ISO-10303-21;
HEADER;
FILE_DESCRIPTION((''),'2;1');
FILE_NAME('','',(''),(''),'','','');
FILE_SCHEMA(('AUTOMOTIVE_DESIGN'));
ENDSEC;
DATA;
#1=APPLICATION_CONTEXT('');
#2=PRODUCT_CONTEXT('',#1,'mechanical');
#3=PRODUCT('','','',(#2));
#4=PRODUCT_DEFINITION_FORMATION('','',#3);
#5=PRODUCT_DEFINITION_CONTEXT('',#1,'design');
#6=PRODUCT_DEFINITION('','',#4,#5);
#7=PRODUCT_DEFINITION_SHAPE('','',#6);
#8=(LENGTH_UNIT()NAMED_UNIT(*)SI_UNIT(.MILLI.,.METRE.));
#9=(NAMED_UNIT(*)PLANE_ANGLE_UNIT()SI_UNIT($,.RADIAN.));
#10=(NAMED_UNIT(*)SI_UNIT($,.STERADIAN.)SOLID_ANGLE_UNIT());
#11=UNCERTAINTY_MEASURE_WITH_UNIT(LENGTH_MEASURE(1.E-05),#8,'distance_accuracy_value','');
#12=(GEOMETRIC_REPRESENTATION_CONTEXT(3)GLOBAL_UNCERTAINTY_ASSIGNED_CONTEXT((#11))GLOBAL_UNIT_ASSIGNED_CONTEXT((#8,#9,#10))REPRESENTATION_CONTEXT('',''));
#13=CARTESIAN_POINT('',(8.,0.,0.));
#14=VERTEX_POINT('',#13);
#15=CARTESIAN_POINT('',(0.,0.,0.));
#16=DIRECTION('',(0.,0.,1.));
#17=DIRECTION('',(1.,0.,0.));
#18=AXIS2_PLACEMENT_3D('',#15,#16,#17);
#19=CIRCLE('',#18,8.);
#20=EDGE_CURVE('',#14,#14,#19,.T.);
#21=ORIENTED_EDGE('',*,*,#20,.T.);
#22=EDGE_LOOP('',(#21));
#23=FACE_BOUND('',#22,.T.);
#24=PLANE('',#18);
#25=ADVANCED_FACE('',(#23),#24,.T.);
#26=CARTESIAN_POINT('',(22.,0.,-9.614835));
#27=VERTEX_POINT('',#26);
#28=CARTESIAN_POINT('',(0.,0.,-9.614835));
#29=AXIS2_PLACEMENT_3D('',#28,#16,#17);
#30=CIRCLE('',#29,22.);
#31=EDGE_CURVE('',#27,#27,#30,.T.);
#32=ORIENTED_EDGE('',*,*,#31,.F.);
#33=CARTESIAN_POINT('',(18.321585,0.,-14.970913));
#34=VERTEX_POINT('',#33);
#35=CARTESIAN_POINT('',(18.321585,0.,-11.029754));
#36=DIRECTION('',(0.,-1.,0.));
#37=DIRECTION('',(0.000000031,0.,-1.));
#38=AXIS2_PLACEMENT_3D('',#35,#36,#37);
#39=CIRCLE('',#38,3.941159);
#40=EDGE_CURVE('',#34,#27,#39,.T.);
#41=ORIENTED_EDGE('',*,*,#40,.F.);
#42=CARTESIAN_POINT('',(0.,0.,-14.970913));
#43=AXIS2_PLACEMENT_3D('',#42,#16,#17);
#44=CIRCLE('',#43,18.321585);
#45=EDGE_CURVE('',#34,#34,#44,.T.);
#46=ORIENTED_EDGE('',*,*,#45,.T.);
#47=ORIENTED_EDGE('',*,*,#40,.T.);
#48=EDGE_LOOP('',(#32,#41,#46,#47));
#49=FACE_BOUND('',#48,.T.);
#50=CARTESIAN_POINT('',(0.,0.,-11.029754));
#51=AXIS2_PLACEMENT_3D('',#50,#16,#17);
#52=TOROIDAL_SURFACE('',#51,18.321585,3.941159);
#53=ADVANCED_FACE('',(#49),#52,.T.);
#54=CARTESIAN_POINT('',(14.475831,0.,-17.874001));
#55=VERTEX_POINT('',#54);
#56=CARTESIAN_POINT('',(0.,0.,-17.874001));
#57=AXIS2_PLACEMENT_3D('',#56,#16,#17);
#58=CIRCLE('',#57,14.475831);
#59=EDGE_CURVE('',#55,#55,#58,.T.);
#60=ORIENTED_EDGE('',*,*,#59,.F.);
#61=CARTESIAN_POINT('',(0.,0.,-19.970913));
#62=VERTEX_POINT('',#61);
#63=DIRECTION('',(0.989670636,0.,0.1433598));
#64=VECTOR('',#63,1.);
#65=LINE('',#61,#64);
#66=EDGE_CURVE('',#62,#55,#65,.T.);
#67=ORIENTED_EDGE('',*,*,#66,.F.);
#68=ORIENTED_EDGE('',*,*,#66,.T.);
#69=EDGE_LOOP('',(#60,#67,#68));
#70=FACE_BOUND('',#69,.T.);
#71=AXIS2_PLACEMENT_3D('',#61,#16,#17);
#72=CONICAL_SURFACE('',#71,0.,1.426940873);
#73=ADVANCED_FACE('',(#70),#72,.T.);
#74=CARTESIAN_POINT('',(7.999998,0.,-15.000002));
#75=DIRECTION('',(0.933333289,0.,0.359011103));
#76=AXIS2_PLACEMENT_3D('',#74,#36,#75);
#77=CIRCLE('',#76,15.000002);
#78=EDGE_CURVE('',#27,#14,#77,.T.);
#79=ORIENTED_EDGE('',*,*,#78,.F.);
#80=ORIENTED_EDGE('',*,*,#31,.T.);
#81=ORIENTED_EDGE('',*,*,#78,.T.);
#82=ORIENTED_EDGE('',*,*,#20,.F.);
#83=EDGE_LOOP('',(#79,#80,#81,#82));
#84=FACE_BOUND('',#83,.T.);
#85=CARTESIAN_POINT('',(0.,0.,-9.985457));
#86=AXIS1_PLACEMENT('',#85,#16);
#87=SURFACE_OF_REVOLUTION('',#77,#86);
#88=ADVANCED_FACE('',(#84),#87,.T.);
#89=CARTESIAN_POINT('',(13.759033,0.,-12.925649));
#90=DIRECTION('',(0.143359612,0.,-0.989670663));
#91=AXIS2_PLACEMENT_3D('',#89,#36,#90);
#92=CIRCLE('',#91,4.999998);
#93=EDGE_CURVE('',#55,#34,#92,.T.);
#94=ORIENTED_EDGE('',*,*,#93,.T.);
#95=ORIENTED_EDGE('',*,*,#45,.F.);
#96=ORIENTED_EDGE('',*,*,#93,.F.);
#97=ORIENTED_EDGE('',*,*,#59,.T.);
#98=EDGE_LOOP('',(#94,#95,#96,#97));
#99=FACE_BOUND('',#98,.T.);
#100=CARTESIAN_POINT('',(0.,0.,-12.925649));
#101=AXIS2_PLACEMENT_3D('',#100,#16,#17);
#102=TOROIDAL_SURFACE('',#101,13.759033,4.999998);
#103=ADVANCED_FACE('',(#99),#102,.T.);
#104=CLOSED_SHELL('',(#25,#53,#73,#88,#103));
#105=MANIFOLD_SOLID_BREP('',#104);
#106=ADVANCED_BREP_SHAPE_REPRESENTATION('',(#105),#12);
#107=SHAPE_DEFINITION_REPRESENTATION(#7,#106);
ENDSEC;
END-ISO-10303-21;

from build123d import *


with BuildPart() as f1:
    # F0 (on Front) → F1 (revolve)
    with BuildSketch(Plane.XZ):
        with BuildLine():
            Line((8, 0), (0, 0))
            Line((0, 0), (0, -19.970913))
            Line((0, -19.970913), (14.475831, -17.874001))
            ThreePointArc((14.475831, -17.874001), (16.771485, -16.916278), (18.321585, -14.970913))
            ThreePointArc((18.321585, -14.970913), (21.570366, -13.260932), (22, -9.614835))
            ThreePointArc((22, -9.614835), (16.491835, -2.635182), (8, 0))
        make_face()
    revolve(axis=Axis((0, 0, -9.985457), (0, 0, 1)))


solid = f1.part
